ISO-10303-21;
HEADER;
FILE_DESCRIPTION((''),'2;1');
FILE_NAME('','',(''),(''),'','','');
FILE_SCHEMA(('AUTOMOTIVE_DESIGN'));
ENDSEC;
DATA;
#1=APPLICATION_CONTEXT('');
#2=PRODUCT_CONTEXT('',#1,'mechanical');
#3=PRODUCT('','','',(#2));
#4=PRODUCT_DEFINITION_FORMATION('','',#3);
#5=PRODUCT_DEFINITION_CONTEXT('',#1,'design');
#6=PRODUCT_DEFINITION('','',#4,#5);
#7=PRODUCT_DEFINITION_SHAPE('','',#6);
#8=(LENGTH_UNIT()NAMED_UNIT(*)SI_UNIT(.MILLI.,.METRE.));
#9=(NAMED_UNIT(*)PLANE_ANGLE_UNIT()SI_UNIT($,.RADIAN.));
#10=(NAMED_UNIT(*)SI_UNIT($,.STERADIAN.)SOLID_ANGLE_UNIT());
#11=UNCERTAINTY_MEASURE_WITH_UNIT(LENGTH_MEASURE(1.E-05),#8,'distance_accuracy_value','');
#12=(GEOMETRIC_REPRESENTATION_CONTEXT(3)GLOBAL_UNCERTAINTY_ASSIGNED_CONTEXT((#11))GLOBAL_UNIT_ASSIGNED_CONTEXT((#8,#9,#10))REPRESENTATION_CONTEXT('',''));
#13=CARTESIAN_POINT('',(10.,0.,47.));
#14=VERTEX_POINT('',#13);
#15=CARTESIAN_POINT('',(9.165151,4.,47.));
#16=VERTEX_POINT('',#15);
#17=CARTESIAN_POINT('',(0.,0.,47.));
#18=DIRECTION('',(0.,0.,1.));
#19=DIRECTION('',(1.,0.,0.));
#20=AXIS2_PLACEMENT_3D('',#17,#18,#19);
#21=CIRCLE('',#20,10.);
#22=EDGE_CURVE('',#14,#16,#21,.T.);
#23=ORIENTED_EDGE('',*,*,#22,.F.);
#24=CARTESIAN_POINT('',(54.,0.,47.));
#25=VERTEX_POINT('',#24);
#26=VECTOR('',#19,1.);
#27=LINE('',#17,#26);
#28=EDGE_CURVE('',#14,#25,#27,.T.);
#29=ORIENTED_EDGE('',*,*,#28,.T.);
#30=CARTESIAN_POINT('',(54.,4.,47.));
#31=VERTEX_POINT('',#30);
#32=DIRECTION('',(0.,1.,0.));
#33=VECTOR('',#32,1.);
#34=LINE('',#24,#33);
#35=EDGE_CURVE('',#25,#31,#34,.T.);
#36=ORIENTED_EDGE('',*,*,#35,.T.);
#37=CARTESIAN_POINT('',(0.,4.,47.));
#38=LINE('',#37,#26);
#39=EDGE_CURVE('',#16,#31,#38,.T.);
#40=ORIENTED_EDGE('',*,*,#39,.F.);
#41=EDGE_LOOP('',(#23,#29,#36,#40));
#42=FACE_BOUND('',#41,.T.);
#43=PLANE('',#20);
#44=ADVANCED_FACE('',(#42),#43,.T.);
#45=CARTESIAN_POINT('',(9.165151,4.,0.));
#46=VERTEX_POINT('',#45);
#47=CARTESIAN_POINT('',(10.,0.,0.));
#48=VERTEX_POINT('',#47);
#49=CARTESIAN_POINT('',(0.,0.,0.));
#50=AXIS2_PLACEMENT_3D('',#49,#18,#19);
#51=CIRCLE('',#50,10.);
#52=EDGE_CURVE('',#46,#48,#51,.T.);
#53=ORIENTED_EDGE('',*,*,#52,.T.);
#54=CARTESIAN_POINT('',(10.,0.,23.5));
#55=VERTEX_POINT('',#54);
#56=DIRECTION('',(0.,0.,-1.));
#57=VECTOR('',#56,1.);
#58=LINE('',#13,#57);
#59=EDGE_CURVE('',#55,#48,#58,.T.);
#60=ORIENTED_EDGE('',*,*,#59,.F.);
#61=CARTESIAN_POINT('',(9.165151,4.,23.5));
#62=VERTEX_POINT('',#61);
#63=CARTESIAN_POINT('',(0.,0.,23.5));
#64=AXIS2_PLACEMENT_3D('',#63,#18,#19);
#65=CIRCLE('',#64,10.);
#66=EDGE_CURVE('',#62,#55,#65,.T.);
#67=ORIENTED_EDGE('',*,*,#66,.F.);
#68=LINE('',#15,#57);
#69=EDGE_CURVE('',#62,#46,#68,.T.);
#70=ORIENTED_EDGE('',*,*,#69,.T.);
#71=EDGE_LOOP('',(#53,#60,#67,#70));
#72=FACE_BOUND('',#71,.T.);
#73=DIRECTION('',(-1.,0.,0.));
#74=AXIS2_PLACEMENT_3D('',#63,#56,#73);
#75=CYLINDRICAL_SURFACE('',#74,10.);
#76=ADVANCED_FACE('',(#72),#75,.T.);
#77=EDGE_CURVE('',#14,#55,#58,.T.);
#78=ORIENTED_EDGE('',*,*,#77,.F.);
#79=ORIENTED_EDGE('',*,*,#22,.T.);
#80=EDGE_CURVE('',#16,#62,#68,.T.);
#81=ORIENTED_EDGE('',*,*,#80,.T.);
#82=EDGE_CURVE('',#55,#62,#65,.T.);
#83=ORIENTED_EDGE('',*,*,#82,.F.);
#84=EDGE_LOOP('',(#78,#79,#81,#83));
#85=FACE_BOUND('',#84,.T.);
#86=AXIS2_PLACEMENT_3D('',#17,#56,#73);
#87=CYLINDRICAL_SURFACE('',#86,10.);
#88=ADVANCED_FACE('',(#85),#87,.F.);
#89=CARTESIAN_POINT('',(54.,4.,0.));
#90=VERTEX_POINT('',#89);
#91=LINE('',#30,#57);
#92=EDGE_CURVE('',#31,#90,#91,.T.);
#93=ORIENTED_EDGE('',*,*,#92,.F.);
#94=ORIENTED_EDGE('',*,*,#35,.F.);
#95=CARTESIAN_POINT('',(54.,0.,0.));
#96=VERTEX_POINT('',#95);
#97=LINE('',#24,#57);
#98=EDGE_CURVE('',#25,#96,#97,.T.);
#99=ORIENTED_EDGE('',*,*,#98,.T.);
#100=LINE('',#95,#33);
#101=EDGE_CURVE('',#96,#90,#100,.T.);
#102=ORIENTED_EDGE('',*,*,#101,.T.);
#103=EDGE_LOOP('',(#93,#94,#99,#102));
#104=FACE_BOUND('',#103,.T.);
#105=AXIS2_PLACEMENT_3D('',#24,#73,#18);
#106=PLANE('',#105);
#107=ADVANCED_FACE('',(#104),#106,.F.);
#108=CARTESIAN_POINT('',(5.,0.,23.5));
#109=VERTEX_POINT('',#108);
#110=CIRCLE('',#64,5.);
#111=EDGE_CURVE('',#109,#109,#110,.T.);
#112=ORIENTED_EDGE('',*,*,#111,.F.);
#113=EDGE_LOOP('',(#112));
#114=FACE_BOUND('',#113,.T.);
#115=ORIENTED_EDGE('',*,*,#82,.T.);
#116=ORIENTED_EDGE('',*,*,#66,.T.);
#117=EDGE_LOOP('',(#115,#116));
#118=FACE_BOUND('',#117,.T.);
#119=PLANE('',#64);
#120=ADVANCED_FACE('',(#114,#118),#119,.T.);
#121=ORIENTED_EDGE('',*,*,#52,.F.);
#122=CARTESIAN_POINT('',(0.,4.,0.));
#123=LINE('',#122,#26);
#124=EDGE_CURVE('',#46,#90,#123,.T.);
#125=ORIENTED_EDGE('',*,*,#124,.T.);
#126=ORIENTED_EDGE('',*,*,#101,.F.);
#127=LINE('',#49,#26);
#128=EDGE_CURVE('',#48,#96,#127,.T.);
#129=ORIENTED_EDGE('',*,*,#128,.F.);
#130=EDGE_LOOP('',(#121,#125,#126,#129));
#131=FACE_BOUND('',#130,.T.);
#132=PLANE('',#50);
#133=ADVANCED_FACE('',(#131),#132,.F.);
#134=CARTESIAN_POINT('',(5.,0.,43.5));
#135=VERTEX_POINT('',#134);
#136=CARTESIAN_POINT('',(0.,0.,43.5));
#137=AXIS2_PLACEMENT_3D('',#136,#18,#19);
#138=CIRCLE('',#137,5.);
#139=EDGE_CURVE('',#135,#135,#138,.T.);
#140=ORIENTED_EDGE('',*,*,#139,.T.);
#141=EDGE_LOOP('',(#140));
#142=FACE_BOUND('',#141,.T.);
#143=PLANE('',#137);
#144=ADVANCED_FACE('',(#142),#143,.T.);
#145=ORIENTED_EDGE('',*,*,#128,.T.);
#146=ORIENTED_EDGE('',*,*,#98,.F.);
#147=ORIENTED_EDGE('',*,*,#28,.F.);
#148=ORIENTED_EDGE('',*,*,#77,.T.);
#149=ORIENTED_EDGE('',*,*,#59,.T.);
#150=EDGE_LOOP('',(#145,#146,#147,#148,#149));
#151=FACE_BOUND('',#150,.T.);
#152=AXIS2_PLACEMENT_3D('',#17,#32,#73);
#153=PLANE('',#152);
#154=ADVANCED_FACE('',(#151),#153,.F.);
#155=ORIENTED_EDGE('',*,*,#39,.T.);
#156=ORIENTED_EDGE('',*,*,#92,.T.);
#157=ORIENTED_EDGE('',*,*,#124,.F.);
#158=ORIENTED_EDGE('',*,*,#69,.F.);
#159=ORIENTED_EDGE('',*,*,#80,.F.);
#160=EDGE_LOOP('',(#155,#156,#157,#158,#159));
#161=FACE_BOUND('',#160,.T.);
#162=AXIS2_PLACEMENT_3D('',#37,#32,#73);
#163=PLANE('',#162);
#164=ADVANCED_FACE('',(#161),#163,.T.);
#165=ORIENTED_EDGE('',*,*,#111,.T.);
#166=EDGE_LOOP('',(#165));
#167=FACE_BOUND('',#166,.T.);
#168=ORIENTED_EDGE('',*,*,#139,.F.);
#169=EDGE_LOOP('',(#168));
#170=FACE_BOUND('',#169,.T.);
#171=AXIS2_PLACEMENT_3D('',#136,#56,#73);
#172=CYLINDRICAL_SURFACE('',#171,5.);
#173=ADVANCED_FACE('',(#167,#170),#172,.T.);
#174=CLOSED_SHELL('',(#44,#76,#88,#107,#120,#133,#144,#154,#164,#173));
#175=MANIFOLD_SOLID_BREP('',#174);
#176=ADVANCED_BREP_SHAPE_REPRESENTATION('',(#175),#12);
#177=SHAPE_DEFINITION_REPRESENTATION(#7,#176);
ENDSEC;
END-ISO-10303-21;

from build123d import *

# Parameters (mm, degrees)
SKETCH1_R           = 10
BOSS_EXTRUDE1_DEPTH = 23.5
BOSS_EXTRUDE2_START = 23.5
SKETCH1_3_R         = 5
BOSS_EXTRUDE2_DEPTH = 20
BOSS_EXTRUDE3_DEPTH = 47


with BuildPart() as part:
    # Sketch1 → Boss-Extrude1 (new body)
    with BuildSketch(Plane.XY):
        Circle(SKETCH1_R)
    extrude(amount=BOSS_EXTRUDE1_DEPTH)

    # Sketch1<3> → Boss-Extrude2 (add)
    with BuildSketch(Plane.XY.offset(BOSS_EXTRUDE2_START)):
        Circle(SKETCH1_3_R)
    extrude(amount=BOSS_EXTRUDE2_DEPTH)

    # Sketch1<4> → Boss-Extrude3 (add)
    with BuildSketch(Plane.XY):
        with BuildLine():
            ThreePointArc((9.16515139, 4), (9.789063129, 2.043096437), (10, 0))
            Line((10, 0), (37.504998297, 0))
            Line((37.504998297, 0), (54, 0))
            Line((54, 0), (54, 4))
            Line((54, 4), (9.16515139, 4))
        make_face()
    extrude(amount=BOSS_EXTRUDE3_DEPTH)


solid = part.part
